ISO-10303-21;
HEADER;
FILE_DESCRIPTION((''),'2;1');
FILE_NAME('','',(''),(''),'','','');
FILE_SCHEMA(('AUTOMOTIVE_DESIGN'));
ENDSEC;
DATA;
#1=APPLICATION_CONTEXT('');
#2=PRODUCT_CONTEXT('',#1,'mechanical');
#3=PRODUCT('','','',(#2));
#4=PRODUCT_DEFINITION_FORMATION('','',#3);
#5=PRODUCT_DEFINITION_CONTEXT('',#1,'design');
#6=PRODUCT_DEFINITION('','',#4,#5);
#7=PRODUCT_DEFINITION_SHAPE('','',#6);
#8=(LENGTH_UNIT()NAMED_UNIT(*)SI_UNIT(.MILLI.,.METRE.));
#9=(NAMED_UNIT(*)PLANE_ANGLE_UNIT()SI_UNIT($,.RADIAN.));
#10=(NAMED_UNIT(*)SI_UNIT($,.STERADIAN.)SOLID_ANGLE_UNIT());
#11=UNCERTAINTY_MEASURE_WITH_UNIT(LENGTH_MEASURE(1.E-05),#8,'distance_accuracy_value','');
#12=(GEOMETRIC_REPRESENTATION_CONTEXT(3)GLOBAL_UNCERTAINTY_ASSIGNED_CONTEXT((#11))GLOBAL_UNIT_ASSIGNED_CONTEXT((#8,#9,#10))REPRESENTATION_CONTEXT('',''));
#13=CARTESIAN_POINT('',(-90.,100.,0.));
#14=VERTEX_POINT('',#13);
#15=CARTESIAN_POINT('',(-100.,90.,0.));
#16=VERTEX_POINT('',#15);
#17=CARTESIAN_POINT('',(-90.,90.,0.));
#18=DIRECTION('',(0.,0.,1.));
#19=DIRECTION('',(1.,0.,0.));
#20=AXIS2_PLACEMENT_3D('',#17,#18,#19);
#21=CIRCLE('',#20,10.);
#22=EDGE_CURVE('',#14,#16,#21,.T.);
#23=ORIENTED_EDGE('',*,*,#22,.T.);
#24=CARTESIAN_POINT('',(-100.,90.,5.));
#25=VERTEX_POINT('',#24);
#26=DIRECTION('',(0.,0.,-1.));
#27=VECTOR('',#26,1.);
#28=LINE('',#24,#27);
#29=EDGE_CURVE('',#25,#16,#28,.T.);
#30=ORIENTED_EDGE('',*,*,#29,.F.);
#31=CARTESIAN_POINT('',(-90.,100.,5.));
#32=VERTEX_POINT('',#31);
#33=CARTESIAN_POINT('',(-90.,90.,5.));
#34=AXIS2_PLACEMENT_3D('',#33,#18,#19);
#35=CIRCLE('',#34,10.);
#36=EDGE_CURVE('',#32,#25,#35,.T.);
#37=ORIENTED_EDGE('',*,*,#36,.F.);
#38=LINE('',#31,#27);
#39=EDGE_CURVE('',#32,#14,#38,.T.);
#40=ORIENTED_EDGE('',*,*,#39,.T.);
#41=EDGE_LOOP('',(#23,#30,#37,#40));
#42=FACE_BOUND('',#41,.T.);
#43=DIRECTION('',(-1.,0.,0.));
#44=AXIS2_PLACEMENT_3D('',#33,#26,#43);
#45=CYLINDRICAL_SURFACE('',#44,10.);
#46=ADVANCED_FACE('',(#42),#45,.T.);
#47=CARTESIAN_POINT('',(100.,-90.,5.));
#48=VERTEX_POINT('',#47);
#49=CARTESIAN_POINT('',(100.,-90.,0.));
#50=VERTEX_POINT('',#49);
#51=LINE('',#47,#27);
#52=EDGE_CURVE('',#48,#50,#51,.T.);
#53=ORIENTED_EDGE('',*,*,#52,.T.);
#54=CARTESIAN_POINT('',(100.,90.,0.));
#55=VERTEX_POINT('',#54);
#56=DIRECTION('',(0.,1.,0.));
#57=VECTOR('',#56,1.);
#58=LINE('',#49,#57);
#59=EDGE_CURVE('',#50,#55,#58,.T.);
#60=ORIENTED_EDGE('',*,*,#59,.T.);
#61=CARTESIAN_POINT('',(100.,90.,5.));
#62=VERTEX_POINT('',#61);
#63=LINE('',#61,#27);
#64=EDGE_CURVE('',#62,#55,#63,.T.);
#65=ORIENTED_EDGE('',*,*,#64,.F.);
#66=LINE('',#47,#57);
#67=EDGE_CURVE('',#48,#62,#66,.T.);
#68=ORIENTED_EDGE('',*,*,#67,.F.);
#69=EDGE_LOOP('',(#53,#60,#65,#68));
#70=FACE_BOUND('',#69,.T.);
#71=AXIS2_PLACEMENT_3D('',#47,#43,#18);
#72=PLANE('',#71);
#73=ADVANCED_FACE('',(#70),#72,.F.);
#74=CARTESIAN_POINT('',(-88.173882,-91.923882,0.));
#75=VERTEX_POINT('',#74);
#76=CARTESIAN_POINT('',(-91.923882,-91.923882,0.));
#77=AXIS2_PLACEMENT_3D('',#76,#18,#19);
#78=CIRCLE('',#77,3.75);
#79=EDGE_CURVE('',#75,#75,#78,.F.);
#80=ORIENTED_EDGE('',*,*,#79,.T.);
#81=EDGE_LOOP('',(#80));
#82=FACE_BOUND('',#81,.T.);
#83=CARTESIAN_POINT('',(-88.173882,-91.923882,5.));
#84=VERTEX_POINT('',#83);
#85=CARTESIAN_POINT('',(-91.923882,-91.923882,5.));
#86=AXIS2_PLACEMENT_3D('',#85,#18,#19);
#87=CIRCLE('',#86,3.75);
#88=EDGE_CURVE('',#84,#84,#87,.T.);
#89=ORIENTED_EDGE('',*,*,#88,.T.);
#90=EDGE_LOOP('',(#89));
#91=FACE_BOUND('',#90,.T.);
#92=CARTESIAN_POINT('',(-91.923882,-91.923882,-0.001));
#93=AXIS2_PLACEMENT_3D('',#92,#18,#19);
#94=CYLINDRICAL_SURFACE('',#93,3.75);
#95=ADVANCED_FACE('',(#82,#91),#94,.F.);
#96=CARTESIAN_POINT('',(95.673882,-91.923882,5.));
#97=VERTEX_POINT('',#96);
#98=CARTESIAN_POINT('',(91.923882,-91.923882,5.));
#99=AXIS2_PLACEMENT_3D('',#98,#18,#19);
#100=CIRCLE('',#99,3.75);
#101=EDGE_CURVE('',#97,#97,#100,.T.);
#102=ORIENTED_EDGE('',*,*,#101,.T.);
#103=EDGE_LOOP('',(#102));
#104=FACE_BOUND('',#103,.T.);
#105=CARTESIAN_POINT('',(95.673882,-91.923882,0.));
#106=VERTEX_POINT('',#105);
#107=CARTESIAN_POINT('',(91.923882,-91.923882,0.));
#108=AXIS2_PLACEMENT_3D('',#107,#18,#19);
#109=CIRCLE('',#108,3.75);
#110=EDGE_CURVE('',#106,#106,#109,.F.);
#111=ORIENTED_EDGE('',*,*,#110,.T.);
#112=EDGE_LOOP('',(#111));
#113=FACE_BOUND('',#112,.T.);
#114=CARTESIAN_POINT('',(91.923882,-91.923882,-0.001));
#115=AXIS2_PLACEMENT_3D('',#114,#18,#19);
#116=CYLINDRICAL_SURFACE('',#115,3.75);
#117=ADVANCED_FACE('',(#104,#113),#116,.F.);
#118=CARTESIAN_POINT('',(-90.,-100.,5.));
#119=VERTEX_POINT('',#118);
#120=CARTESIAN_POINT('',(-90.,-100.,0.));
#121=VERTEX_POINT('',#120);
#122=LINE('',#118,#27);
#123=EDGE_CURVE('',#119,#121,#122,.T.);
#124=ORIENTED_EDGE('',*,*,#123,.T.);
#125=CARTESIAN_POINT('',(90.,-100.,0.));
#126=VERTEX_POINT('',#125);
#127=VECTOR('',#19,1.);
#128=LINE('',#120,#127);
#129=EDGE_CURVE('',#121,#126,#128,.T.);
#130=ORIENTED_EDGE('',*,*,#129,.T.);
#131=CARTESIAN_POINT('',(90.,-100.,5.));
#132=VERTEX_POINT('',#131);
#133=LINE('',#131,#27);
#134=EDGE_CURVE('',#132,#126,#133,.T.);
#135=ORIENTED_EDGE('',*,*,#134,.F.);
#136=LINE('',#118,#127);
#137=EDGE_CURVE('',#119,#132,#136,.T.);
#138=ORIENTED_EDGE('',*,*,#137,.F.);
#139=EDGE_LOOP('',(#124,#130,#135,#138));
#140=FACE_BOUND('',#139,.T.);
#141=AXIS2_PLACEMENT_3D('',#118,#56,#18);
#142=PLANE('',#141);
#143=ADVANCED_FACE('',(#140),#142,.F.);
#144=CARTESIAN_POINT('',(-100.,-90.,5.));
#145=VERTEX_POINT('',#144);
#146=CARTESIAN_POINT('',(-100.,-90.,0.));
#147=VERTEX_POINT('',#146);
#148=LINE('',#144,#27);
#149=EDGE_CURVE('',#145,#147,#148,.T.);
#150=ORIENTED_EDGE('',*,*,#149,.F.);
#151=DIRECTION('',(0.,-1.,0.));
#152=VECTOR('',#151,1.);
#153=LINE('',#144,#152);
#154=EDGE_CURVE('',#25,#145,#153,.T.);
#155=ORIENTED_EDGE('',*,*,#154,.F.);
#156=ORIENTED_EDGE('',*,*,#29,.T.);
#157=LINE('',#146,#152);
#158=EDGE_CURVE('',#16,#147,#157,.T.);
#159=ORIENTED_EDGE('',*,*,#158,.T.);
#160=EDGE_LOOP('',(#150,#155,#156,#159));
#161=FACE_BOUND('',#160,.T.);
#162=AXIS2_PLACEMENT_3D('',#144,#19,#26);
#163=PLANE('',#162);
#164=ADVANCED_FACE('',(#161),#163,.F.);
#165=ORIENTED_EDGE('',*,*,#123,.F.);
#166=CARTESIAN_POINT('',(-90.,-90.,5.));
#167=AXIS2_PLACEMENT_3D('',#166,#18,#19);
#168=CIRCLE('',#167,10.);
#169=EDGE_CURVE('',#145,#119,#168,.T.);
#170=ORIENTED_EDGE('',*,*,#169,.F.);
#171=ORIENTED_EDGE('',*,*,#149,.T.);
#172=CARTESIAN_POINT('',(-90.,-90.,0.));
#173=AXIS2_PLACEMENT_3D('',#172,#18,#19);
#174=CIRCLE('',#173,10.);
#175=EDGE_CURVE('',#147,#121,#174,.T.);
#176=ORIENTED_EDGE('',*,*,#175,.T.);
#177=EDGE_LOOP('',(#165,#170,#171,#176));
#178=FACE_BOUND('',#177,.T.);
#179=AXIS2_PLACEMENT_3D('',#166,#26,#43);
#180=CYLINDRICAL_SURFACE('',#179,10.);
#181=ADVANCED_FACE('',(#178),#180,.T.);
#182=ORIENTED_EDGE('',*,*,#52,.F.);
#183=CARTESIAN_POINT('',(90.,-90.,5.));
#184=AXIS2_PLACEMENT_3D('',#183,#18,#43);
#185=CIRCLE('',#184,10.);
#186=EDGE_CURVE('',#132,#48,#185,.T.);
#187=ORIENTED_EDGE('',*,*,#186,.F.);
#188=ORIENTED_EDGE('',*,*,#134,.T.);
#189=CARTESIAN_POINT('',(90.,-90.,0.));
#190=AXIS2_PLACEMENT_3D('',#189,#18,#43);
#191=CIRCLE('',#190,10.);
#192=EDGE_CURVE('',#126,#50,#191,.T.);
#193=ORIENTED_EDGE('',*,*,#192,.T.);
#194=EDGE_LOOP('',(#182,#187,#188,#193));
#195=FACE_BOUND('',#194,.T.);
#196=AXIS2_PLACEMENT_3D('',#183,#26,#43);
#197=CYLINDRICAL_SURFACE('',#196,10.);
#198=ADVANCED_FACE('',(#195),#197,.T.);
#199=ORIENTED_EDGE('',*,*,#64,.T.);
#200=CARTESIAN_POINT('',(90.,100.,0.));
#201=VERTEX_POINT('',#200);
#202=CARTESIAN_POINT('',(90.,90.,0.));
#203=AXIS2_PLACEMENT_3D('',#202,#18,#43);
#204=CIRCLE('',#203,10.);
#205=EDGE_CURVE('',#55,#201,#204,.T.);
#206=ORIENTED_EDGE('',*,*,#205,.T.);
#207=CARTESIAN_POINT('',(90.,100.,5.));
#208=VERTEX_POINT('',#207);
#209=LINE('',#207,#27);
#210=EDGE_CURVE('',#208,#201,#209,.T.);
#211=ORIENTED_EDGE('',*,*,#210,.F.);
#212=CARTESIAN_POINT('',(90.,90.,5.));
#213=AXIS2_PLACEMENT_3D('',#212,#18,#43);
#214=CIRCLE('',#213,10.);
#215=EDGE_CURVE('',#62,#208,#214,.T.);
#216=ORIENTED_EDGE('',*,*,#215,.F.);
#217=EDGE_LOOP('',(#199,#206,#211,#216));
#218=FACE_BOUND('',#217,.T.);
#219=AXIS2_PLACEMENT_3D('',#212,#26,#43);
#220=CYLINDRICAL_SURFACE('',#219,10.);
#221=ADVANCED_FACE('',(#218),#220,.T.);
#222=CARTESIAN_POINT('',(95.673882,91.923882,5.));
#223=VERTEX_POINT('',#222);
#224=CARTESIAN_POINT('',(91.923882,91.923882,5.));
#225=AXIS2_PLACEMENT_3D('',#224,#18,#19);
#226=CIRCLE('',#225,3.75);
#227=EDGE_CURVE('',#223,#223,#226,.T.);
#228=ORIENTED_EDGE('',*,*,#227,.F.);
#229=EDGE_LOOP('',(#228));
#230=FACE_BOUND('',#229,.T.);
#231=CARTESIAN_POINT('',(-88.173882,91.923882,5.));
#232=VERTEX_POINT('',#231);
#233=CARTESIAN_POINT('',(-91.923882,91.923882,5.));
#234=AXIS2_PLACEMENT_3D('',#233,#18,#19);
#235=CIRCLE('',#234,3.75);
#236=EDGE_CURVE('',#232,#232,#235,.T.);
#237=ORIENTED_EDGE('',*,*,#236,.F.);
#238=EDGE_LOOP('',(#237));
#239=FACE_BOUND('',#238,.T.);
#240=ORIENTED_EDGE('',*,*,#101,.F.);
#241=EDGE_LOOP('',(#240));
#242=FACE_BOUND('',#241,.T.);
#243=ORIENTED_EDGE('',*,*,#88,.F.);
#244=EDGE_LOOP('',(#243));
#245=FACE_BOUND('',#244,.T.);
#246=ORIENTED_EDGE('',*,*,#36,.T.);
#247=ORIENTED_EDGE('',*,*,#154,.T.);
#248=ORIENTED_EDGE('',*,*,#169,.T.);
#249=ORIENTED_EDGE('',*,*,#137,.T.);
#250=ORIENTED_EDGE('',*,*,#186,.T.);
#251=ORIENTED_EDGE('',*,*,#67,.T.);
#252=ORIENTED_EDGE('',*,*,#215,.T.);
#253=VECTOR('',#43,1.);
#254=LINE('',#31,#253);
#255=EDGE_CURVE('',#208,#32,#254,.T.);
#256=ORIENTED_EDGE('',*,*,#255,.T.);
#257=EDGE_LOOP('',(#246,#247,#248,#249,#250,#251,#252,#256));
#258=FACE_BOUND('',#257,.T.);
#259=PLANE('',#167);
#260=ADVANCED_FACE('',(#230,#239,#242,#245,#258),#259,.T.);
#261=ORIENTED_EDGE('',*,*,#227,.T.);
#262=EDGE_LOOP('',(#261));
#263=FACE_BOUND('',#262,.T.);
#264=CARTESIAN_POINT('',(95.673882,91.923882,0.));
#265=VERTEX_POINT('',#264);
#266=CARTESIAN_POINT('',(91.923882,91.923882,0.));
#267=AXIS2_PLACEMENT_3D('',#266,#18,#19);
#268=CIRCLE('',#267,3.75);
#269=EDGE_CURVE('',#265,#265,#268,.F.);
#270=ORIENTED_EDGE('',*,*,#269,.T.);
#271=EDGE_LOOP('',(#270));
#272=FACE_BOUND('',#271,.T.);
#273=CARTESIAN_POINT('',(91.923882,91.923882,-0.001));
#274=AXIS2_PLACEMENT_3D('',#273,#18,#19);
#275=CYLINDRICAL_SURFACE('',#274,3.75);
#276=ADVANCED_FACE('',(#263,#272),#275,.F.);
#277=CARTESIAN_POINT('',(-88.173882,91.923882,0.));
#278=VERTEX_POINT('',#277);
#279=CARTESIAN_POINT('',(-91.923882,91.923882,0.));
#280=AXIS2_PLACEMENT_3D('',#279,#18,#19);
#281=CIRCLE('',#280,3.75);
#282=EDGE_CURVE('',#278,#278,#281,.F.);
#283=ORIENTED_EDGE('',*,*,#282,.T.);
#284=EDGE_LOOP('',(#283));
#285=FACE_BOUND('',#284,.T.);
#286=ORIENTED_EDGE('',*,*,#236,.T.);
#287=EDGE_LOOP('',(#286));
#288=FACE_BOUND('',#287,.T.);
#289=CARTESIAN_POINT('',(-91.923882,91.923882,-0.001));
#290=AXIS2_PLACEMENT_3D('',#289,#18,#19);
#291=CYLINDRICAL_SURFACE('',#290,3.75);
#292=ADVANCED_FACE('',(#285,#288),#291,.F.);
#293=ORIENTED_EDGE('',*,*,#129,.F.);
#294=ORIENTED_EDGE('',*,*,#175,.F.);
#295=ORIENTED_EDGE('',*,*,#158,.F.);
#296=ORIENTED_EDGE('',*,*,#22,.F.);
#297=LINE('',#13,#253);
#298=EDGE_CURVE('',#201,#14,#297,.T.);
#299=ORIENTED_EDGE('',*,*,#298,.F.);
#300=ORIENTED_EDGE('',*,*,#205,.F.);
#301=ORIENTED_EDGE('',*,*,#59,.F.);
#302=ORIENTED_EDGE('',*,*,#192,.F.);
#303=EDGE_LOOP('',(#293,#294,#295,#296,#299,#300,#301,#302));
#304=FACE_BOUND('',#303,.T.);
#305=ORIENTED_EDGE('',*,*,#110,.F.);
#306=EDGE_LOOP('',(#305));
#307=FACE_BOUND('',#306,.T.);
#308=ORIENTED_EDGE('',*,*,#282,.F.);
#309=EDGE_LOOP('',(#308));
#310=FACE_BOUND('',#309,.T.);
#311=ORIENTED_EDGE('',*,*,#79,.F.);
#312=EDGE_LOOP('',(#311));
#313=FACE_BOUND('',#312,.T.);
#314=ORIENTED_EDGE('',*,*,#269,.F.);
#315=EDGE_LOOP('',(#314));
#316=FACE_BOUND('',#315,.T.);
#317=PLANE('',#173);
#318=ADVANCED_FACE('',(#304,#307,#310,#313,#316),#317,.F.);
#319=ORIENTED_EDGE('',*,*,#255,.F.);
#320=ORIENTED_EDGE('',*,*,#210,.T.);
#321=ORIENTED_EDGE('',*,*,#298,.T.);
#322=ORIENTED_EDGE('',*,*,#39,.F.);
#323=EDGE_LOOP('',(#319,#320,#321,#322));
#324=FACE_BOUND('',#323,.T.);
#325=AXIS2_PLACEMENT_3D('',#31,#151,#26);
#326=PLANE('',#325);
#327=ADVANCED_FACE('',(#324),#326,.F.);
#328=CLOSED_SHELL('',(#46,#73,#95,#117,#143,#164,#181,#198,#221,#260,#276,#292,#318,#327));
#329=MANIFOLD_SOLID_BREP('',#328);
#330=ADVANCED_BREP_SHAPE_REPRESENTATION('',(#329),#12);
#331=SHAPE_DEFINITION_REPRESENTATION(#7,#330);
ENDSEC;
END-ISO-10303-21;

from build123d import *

# Parameters (mm, degrees)
SKETCH1_R           = 2
BOSS_EXTRUDE1_DEPTH = 5
CUT_EXTRUDE1_REACH  = 143.51
SKETCH2_R           = 3.75


with BuildPart() as part:
    # Sketch1 → Boss-Extrude1 (new body)
    with BuildSketch(Plane.XY):
        with BuildLine():
            Line((-90, -100), (90, -100))
            ThreePointArc((90, -100), (97.071067812, -97.071067812), (100, -90))
            Line((100, -90), (100, 90))
            ThreePointArc((100, 90), (97.071067812, 97.071067812), (90, 100))
            Line((90, 100), (-90, 100))
            ThreePointArc((-90, 100), (-97.071067812, 97.071067812), (-100, 90))
            Line((-100, 90), (-100, -90))
            ThreePointArc((-100, -90), (-97.071067812, -97.071067812), (-90, -100))
        make_face()
        with Locations((-91.923881554, 91.923881554)):
            Circle(SKETCH1_R, mode=Mode.SUBTRACT)
        with Locations((91.923881554, 91.923881554)):
            Circle(SKETCH1_R, mode=Mode.SUBTRACT)
        with Locations((-91.923881554, -91.923881554)):
            Circle(SKETCH1_R, mode=Mode.SUBTRACT)
        with Locations((91.923881554, -91.923881554)):
            Circle(SKETCH1_R, mode=Mode.SUBTRACT)
    extrude(amount=BOSS_EXTRUDE1_DEPTH)

    # Sketch2 → Cut-Extrude1 (cut, up to next)
    with BuildSketch(Plane.XY.offset(5), mode=Mode.PRIVATE) as cut_extrude1_sk1:
        with Locations((91.923881554, 91.923881554)):
            Circle(SKETCH2_R)
    cut_extrude1_tool1 = extrude(cut_extrude1_sk1.sketch, amount=-CUT_EXTRUDE1_REACH, mode=Mode.PRIVATE) & part.part
    # Sketch2 → Cut-Extrude1 (cut, up to next)
    with BuildSketch(Plane.XY.offset(5), mode=Mode.PRIVATE) as cut_extrude1_sk2:
        with Locations((-91.923881554, 91.923881554)):
            Circle(SKETCH2_R)
    cut_extrude1_tool2 = extrude(cut_extrude1_sk2.sketch, amount=-CUT_EXTRUDE1_REACH, mode=Mode.PRIVATE) & part.part
    # Sketch2 → Cut-Extrude1 (cut, up to next)
    with BuildSketch(Plane.XY.offset(5), mode=Mode.PRIVATE) as cut_extrude1_sk3:
        with Locations((-91.923881554, -91.923881554)):
            Circle(SKETCH2_R)
    cut_extrude1_tool3 = extrude(cut_extrude1_sk3.sketch, amount=-CUT_EXTRUDE1_REACH, mode=Mode.PRIVATE) & part.part
    # Sketch2 → Cut-Extrude1 (cut, up to next)
    with BuildSketch(Plane.XY.offset(5), mode=Mode.PRIVATE) as cut_extrude1_sk4:
        with Locations((91.923881554, -91.923881554)):
            Circle(SKETCH2_R)
    cut_extrude1_tool4 = extrude(cut_extrude1_sk4.sketch, amount=-CUT_EXTRUDE1_REACH, mode=Mode.PRIVATE) & part.part
    add(cut_extrude1_tool1.solids().sort_by_distance((91.923882, 91.923882, 5))[0], mode=Mode.SUBTRACT)
    add(cut_extrude1_tool2.solids().sort_by_distance((-91.923882, 91.923882, 5))[0], mode=Mode.SUBTRACT)
    add(cut_extrude1_tool3.solids().sort_by_distance((-91.923882, -91.923882, 5))[0], mode=Mode.SUBTRACT)
    add(cut_extrude1_tool4.solids().sort_by_distance((91.923882, -91.923882, 5))[0], mode=Mode.SUBTRACT)


solid = part.part
